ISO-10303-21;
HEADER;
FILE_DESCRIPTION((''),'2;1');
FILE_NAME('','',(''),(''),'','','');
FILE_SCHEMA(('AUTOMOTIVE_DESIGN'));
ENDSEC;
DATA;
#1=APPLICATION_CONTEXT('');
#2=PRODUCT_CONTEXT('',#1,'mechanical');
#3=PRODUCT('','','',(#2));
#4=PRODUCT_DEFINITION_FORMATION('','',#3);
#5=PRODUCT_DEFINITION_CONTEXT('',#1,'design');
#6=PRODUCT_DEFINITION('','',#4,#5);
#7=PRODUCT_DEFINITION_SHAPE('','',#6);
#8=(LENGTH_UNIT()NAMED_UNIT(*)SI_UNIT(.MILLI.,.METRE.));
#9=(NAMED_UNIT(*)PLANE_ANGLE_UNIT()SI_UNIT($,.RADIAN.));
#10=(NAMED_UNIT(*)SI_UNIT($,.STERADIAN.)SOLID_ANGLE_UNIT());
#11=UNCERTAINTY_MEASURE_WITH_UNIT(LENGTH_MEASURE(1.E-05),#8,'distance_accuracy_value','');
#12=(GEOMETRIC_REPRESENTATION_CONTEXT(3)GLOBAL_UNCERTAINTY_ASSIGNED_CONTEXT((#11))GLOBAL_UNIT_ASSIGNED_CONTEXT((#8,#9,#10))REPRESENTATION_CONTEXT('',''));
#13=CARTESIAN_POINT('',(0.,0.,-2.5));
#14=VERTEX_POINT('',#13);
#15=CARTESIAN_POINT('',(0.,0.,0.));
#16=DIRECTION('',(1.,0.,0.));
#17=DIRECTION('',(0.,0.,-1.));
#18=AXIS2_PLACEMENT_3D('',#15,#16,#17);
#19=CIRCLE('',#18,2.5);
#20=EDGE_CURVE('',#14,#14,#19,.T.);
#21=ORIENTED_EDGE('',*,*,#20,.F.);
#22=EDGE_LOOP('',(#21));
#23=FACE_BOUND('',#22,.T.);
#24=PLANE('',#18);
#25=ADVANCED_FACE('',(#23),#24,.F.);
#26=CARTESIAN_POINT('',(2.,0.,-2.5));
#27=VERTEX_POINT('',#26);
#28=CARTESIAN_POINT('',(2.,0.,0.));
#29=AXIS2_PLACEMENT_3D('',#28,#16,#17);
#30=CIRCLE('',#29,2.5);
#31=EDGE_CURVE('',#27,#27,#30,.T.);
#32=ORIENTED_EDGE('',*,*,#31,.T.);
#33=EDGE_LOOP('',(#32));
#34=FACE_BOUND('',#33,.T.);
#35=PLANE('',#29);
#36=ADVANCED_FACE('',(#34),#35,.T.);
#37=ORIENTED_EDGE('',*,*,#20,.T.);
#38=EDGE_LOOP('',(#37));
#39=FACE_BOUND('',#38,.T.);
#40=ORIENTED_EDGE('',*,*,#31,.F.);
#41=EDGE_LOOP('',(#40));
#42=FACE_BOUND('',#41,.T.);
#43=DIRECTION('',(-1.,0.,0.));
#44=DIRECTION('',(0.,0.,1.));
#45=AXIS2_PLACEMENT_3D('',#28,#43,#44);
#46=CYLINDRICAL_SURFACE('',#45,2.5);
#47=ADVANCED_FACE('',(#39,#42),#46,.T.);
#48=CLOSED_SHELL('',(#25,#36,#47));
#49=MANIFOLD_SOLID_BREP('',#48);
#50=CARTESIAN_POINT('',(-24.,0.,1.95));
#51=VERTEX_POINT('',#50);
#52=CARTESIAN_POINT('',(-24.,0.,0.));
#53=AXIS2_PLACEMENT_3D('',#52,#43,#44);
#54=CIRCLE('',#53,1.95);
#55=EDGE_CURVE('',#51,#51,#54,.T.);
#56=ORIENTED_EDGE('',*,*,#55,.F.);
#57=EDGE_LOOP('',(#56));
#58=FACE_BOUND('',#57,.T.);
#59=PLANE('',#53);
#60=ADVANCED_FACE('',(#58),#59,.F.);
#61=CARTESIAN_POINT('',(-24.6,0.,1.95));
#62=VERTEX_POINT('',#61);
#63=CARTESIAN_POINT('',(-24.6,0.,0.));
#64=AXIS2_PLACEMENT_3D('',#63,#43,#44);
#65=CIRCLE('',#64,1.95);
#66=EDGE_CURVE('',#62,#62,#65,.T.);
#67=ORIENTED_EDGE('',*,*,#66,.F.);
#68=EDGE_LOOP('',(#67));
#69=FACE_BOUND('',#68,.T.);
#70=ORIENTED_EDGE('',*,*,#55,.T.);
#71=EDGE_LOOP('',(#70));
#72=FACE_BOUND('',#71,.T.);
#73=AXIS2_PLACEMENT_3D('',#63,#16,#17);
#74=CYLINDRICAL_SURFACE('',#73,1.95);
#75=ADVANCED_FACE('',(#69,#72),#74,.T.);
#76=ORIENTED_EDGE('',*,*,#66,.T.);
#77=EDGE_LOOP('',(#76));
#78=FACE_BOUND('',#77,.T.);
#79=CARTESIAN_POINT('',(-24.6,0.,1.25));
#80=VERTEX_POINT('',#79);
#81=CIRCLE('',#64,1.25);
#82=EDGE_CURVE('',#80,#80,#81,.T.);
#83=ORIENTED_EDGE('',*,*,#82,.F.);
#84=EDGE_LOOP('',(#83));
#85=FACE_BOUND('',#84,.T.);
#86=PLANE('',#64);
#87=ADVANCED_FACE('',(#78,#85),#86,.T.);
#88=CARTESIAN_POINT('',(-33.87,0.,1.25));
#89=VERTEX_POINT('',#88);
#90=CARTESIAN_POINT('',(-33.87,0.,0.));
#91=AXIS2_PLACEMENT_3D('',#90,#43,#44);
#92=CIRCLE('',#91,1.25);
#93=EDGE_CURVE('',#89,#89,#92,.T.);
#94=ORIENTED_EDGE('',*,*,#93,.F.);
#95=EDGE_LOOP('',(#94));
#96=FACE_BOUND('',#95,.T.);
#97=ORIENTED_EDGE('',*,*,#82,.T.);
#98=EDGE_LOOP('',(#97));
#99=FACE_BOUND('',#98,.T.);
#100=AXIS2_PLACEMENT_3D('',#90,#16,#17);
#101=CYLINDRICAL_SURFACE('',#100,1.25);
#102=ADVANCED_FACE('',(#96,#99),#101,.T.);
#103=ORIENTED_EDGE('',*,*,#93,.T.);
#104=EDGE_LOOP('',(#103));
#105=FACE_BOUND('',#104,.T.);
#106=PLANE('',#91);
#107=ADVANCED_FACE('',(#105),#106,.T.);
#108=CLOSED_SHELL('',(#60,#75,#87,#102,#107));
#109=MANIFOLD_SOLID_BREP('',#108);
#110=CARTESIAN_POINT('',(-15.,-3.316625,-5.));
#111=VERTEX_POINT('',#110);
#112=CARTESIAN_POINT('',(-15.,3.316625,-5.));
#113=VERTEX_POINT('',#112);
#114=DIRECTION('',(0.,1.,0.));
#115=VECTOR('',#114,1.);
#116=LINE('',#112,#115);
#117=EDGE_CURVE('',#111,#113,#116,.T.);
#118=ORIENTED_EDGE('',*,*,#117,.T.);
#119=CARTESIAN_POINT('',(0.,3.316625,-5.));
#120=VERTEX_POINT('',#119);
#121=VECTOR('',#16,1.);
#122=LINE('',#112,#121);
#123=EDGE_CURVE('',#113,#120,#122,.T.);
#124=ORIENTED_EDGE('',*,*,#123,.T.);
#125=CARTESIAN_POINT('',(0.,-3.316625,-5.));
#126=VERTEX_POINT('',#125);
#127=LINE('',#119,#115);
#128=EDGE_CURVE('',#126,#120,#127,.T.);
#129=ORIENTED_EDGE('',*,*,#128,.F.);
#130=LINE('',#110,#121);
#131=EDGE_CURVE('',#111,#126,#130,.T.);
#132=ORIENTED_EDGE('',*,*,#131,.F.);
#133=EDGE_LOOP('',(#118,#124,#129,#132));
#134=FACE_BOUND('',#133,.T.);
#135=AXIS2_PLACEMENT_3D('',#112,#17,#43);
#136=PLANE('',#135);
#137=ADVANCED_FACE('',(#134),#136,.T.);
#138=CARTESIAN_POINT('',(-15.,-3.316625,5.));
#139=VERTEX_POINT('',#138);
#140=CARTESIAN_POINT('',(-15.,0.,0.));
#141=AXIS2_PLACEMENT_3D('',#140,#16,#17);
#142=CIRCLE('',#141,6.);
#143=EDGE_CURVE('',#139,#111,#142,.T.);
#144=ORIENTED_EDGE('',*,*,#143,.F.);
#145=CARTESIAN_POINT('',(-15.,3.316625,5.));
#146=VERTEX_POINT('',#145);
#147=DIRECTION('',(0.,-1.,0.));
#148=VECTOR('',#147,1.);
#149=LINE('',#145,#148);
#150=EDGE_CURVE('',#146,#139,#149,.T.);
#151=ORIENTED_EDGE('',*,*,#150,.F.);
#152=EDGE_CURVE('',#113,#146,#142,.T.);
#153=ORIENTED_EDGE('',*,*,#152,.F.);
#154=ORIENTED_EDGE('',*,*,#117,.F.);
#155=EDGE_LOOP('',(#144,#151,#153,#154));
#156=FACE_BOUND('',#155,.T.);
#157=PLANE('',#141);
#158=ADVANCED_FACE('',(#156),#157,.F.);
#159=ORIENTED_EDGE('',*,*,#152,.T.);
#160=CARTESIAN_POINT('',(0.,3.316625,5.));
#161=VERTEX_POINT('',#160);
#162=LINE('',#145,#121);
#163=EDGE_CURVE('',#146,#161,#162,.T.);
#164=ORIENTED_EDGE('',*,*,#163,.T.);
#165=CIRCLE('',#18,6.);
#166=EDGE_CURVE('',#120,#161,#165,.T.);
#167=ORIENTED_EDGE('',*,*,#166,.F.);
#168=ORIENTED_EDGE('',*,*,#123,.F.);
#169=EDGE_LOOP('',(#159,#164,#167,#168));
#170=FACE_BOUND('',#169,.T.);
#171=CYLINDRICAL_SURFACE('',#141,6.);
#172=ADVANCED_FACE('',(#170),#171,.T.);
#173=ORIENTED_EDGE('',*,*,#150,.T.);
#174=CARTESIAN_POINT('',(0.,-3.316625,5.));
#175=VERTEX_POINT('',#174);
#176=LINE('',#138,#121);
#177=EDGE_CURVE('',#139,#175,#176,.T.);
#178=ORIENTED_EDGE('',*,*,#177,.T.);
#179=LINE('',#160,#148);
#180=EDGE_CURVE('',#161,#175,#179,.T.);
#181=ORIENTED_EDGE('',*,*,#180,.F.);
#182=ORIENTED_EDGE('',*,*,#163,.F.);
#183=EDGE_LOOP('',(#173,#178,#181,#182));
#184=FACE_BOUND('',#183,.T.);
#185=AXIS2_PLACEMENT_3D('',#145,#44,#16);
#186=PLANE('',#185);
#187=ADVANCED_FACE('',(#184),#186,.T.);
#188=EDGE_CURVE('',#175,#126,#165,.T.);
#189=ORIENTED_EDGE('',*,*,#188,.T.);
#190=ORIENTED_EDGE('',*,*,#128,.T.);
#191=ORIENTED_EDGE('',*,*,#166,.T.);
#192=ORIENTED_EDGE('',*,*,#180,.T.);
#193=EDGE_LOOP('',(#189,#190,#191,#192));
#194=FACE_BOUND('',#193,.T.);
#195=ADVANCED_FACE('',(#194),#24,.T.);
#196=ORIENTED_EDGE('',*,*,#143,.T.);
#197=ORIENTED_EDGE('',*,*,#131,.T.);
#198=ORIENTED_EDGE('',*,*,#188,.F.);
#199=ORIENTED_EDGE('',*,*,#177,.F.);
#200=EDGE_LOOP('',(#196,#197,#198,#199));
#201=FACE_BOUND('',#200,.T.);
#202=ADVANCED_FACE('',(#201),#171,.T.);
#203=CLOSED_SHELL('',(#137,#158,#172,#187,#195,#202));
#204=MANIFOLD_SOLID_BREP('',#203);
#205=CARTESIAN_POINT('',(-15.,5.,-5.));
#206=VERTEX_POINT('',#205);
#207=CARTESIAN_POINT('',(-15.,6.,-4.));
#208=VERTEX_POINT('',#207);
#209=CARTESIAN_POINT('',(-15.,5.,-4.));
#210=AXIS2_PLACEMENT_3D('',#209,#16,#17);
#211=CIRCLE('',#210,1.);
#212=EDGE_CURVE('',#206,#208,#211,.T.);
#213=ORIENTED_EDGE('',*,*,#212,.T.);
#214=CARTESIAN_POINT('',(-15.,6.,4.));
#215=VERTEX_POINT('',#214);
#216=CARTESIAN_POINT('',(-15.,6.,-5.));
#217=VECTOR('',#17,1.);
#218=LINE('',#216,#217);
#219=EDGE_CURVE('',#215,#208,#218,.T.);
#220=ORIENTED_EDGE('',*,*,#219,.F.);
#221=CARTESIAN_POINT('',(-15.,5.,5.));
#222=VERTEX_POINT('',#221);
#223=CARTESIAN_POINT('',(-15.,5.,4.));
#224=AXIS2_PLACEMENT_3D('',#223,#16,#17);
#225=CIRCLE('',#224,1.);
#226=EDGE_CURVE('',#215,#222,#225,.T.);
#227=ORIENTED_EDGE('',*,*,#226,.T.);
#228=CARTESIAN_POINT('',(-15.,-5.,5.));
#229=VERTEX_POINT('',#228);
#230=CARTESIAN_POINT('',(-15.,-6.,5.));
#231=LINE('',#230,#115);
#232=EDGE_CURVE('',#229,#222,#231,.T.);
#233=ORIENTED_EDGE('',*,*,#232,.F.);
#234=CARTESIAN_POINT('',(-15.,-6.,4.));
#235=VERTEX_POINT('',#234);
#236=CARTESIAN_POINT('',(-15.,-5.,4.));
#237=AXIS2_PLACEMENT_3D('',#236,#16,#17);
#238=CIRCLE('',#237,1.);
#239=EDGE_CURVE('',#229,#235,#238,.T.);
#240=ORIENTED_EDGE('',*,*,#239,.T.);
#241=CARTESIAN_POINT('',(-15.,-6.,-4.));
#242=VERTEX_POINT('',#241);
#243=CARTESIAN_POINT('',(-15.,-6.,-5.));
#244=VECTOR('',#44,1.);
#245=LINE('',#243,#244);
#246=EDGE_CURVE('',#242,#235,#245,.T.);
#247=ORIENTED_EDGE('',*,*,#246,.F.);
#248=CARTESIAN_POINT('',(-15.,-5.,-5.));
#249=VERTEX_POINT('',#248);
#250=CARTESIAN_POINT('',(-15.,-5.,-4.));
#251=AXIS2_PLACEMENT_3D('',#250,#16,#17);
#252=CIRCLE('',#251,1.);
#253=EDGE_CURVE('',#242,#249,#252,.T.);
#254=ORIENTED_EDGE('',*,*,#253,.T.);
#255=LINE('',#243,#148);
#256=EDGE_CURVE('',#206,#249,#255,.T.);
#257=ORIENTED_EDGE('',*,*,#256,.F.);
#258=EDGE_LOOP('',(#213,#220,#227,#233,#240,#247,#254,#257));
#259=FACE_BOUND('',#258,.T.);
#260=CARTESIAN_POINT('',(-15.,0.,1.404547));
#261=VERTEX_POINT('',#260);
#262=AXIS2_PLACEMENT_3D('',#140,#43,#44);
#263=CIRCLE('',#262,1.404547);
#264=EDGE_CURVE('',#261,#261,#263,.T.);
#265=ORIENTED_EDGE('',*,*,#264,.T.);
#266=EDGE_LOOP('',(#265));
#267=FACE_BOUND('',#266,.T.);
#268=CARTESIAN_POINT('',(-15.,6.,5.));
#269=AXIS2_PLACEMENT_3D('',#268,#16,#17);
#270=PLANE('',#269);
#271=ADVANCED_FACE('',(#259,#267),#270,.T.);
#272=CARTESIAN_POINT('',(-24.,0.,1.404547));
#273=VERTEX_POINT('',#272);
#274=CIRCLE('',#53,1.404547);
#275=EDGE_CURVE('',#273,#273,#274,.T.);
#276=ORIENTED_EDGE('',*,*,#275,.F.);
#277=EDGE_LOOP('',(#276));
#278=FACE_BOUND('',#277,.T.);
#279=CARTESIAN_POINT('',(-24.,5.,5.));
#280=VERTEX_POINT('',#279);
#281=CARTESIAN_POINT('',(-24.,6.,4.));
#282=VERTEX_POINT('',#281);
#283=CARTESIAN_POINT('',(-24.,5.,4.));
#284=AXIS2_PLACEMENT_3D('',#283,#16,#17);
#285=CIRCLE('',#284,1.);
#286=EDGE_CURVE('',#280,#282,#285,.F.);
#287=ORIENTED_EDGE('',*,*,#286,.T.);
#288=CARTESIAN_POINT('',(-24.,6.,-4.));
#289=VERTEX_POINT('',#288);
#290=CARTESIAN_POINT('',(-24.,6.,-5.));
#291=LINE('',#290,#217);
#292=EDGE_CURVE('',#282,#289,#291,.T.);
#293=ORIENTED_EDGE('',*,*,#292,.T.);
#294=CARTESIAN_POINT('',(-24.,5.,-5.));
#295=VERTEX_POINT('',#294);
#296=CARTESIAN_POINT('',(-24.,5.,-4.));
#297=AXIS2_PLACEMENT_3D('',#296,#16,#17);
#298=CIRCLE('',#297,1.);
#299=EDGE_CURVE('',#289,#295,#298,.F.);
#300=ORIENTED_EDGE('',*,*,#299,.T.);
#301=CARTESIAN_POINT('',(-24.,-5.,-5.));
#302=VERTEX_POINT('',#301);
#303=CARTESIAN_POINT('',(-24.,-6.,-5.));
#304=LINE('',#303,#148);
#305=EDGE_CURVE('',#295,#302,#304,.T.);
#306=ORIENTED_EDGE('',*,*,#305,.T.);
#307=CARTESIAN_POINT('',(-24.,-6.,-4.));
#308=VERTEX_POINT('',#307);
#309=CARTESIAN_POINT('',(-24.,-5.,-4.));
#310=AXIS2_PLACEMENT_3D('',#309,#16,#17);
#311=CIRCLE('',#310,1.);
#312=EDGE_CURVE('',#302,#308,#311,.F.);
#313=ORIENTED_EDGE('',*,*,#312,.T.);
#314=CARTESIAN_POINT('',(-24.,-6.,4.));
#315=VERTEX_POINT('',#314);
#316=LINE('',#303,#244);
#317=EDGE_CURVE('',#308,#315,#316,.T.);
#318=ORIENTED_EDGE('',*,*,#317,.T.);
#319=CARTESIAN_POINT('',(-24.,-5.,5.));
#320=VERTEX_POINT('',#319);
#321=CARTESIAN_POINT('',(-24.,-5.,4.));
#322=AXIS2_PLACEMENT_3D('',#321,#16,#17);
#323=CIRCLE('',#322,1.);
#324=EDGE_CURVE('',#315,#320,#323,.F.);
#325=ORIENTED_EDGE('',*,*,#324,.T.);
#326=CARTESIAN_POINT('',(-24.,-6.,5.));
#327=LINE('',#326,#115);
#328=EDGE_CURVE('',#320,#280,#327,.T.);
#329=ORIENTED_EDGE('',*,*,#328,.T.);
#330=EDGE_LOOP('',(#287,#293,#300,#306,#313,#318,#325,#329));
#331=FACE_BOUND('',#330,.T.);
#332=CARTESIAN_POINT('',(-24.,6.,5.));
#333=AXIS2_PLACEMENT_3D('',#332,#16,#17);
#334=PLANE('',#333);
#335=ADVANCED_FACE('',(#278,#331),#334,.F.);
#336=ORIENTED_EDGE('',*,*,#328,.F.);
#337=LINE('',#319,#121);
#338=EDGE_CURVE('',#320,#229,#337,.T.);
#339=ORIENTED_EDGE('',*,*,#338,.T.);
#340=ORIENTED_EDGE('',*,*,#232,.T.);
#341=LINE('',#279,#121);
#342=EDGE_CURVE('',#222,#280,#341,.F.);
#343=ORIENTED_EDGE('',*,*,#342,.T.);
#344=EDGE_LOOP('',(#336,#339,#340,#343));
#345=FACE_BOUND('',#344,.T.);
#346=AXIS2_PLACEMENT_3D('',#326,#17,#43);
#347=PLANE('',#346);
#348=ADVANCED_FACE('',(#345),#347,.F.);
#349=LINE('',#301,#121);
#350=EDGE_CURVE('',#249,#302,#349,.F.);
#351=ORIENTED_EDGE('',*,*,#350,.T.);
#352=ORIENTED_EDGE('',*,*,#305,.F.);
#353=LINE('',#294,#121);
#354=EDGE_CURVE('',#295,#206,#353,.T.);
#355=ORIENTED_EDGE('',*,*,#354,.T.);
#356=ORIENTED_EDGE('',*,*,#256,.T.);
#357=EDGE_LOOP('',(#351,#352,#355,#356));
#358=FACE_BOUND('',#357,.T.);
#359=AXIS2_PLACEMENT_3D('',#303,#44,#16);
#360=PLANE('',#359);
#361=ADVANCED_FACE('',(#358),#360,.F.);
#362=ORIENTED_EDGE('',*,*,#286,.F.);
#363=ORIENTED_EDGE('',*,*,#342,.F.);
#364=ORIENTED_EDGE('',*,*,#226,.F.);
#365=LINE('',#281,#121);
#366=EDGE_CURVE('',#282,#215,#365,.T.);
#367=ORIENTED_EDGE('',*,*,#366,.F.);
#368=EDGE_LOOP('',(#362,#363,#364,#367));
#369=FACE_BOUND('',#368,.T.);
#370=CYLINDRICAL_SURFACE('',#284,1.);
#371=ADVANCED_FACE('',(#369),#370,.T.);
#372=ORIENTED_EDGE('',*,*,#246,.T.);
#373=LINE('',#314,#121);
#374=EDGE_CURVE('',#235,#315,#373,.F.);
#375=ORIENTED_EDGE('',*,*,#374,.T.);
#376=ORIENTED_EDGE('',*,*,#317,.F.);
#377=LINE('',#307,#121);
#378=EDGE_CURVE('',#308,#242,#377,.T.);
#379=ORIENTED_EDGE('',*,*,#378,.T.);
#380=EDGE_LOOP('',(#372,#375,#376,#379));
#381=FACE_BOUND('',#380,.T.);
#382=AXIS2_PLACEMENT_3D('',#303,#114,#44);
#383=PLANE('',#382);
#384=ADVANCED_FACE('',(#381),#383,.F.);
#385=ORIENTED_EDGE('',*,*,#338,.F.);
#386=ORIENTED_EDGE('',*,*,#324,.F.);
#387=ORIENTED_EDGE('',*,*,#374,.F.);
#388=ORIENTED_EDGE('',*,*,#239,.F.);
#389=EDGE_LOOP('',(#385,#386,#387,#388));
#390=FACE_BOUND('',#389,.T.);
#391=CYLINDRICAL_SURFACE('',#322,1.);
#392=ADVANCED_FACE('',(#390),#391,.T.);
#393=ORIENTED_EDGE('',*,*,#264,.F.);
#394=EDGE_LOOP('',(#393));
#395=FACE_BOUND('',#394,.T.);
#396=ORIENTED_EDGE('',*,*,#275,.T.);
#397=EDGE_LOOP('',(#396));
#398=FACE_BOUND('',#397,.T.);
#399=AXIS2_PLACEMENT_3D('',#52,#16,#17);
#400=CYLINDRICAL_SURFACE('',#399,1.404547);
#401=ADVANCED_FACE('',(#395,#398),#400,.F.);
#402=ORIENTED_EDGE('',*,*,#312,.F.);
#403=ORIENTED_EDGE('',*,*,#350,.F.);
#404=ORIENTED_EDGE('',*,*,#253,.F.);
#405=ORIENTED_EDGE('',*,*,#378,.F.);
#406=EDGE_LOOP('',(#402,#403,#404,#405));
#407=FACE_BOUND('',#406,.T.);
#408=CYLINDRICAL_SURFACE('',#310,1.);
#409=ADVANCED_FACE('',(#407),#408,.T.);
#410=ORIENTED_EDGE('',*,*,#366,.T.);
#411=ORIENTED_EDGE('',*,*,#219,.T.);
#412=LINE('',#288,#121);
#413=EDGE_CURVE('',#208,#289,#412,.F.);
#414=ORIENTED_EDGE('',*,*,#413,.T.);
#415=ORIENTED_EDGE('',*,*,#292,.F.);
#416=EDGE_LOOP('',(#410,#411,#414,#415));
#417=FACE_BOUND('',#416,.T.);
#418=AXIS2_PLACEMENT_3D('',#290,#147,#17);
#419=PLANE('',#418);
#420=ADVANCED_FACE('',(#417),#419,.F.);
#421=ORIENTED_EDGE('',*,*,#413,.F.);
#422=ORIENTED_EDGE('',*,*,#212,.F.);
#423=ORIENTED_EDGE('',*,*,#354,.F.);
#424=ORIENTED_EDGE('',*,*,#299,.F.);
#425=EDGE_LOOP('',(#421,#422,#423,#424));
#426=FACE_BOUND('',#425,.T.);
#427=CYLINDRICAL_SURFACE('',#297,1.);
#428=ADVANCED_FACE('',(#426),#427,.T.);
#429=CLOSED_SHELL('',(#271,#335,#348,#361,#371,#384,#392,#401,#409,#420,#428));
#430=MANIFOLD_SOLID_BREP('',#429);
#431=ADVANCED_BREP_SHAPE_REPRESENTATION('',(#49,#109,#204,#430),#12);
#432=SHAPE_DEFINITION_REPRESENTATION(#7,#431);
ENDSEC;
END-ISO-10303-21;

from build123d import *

# Parameters (mm, degrees)
EXTRUDE1_DEPTH = 15
SKETCH2_W      = 10
SKETCH2_H      = 12
SKETCH2_R      = 1.404547398
EXTRUDE2_DEPTH = 9
SKETCH3_R      = 2.5
EXTRUDE3_DEPTH = 2
SKETCH4_R      = 1.95
EXTRUDE4_DEPTH = 0.6
SKETCH5_R      = 1.25
EXTRUDE5_DEPTH = 9.27
FILLET1_R      = 1


with BuildPart() as part:
    # Sketch1 → Extrude1 (new body)
    with BuildSketch(Plane(origin=(0, 0, 0), x_dir=(0, 0, -1), z_dir=(1, 0, 0))):
        with BuildLine():
            Line((-5, 3.31662479), (-5, -3.31662479))
            ThreePointArc((-5, -3.31662479), (0, -6), (5, -3.31662479))
            Line((5, -3.31662479), (5, 3.31662479))
            ThreePointArc((5, 3.31662479), (0, 6), (-5, 3.31662479))
        make_face()
    extrude(amount=-EXTRUDE1_DEPTH)


with BuildPart() as body_2:
    # Sketch2 → Extrude2 (new body)
    with BuildSketch(Plane.ZY.offset(15)):
        Rectangle(SKETCH2_W, SKETCH2_H)
        Circle(SKETCH2_R, mode=Mode.SUBTRACT)
    extrude(amount=EXTRUDE2_DEPTH)

    # Fillet1
    fillet1_edges = [body_2.edges().sort_by_distance(p)[0] for p in [
        (-19.5, -6, 5),
        (-19.5, -6, -5),
        (-19.5, 6, -5),
        (-19.5, 6, 5),
    ]]
    fillet(fillet1_edges, radius=FILLET1_R)


with BuildPart() as body_3:
    # Sketch3 → Extrude3 (new body)
    with BuildSketch(Plane(origin=(0, 0, 0), x_dir=(0, 0, -1), z_dir=(1, 0, 0))):
        Circle(SKETCH3_R)
    extrude(amount=EXTRUDE3_DEPTH)


with BuildPart() as body_4:
    # Sketch4 → Extrude4 (new body)
    with BuildSketch(Plane.ZY.offset(24)):
        Circle(SKETCH4_R)
    extrude(amount=EXTRUDE4_DEPTH)

    # Sketch5 → Extrude5 (add)
    with BuildSketch(Plane.ZY.offset(24.6)):
        Circle(SKETCH5_R)
    extrude(amount=EXTRUDE5_DEPTH)


solid = Compound([part.part, body_2.part, body_3.part, body_4.part])
